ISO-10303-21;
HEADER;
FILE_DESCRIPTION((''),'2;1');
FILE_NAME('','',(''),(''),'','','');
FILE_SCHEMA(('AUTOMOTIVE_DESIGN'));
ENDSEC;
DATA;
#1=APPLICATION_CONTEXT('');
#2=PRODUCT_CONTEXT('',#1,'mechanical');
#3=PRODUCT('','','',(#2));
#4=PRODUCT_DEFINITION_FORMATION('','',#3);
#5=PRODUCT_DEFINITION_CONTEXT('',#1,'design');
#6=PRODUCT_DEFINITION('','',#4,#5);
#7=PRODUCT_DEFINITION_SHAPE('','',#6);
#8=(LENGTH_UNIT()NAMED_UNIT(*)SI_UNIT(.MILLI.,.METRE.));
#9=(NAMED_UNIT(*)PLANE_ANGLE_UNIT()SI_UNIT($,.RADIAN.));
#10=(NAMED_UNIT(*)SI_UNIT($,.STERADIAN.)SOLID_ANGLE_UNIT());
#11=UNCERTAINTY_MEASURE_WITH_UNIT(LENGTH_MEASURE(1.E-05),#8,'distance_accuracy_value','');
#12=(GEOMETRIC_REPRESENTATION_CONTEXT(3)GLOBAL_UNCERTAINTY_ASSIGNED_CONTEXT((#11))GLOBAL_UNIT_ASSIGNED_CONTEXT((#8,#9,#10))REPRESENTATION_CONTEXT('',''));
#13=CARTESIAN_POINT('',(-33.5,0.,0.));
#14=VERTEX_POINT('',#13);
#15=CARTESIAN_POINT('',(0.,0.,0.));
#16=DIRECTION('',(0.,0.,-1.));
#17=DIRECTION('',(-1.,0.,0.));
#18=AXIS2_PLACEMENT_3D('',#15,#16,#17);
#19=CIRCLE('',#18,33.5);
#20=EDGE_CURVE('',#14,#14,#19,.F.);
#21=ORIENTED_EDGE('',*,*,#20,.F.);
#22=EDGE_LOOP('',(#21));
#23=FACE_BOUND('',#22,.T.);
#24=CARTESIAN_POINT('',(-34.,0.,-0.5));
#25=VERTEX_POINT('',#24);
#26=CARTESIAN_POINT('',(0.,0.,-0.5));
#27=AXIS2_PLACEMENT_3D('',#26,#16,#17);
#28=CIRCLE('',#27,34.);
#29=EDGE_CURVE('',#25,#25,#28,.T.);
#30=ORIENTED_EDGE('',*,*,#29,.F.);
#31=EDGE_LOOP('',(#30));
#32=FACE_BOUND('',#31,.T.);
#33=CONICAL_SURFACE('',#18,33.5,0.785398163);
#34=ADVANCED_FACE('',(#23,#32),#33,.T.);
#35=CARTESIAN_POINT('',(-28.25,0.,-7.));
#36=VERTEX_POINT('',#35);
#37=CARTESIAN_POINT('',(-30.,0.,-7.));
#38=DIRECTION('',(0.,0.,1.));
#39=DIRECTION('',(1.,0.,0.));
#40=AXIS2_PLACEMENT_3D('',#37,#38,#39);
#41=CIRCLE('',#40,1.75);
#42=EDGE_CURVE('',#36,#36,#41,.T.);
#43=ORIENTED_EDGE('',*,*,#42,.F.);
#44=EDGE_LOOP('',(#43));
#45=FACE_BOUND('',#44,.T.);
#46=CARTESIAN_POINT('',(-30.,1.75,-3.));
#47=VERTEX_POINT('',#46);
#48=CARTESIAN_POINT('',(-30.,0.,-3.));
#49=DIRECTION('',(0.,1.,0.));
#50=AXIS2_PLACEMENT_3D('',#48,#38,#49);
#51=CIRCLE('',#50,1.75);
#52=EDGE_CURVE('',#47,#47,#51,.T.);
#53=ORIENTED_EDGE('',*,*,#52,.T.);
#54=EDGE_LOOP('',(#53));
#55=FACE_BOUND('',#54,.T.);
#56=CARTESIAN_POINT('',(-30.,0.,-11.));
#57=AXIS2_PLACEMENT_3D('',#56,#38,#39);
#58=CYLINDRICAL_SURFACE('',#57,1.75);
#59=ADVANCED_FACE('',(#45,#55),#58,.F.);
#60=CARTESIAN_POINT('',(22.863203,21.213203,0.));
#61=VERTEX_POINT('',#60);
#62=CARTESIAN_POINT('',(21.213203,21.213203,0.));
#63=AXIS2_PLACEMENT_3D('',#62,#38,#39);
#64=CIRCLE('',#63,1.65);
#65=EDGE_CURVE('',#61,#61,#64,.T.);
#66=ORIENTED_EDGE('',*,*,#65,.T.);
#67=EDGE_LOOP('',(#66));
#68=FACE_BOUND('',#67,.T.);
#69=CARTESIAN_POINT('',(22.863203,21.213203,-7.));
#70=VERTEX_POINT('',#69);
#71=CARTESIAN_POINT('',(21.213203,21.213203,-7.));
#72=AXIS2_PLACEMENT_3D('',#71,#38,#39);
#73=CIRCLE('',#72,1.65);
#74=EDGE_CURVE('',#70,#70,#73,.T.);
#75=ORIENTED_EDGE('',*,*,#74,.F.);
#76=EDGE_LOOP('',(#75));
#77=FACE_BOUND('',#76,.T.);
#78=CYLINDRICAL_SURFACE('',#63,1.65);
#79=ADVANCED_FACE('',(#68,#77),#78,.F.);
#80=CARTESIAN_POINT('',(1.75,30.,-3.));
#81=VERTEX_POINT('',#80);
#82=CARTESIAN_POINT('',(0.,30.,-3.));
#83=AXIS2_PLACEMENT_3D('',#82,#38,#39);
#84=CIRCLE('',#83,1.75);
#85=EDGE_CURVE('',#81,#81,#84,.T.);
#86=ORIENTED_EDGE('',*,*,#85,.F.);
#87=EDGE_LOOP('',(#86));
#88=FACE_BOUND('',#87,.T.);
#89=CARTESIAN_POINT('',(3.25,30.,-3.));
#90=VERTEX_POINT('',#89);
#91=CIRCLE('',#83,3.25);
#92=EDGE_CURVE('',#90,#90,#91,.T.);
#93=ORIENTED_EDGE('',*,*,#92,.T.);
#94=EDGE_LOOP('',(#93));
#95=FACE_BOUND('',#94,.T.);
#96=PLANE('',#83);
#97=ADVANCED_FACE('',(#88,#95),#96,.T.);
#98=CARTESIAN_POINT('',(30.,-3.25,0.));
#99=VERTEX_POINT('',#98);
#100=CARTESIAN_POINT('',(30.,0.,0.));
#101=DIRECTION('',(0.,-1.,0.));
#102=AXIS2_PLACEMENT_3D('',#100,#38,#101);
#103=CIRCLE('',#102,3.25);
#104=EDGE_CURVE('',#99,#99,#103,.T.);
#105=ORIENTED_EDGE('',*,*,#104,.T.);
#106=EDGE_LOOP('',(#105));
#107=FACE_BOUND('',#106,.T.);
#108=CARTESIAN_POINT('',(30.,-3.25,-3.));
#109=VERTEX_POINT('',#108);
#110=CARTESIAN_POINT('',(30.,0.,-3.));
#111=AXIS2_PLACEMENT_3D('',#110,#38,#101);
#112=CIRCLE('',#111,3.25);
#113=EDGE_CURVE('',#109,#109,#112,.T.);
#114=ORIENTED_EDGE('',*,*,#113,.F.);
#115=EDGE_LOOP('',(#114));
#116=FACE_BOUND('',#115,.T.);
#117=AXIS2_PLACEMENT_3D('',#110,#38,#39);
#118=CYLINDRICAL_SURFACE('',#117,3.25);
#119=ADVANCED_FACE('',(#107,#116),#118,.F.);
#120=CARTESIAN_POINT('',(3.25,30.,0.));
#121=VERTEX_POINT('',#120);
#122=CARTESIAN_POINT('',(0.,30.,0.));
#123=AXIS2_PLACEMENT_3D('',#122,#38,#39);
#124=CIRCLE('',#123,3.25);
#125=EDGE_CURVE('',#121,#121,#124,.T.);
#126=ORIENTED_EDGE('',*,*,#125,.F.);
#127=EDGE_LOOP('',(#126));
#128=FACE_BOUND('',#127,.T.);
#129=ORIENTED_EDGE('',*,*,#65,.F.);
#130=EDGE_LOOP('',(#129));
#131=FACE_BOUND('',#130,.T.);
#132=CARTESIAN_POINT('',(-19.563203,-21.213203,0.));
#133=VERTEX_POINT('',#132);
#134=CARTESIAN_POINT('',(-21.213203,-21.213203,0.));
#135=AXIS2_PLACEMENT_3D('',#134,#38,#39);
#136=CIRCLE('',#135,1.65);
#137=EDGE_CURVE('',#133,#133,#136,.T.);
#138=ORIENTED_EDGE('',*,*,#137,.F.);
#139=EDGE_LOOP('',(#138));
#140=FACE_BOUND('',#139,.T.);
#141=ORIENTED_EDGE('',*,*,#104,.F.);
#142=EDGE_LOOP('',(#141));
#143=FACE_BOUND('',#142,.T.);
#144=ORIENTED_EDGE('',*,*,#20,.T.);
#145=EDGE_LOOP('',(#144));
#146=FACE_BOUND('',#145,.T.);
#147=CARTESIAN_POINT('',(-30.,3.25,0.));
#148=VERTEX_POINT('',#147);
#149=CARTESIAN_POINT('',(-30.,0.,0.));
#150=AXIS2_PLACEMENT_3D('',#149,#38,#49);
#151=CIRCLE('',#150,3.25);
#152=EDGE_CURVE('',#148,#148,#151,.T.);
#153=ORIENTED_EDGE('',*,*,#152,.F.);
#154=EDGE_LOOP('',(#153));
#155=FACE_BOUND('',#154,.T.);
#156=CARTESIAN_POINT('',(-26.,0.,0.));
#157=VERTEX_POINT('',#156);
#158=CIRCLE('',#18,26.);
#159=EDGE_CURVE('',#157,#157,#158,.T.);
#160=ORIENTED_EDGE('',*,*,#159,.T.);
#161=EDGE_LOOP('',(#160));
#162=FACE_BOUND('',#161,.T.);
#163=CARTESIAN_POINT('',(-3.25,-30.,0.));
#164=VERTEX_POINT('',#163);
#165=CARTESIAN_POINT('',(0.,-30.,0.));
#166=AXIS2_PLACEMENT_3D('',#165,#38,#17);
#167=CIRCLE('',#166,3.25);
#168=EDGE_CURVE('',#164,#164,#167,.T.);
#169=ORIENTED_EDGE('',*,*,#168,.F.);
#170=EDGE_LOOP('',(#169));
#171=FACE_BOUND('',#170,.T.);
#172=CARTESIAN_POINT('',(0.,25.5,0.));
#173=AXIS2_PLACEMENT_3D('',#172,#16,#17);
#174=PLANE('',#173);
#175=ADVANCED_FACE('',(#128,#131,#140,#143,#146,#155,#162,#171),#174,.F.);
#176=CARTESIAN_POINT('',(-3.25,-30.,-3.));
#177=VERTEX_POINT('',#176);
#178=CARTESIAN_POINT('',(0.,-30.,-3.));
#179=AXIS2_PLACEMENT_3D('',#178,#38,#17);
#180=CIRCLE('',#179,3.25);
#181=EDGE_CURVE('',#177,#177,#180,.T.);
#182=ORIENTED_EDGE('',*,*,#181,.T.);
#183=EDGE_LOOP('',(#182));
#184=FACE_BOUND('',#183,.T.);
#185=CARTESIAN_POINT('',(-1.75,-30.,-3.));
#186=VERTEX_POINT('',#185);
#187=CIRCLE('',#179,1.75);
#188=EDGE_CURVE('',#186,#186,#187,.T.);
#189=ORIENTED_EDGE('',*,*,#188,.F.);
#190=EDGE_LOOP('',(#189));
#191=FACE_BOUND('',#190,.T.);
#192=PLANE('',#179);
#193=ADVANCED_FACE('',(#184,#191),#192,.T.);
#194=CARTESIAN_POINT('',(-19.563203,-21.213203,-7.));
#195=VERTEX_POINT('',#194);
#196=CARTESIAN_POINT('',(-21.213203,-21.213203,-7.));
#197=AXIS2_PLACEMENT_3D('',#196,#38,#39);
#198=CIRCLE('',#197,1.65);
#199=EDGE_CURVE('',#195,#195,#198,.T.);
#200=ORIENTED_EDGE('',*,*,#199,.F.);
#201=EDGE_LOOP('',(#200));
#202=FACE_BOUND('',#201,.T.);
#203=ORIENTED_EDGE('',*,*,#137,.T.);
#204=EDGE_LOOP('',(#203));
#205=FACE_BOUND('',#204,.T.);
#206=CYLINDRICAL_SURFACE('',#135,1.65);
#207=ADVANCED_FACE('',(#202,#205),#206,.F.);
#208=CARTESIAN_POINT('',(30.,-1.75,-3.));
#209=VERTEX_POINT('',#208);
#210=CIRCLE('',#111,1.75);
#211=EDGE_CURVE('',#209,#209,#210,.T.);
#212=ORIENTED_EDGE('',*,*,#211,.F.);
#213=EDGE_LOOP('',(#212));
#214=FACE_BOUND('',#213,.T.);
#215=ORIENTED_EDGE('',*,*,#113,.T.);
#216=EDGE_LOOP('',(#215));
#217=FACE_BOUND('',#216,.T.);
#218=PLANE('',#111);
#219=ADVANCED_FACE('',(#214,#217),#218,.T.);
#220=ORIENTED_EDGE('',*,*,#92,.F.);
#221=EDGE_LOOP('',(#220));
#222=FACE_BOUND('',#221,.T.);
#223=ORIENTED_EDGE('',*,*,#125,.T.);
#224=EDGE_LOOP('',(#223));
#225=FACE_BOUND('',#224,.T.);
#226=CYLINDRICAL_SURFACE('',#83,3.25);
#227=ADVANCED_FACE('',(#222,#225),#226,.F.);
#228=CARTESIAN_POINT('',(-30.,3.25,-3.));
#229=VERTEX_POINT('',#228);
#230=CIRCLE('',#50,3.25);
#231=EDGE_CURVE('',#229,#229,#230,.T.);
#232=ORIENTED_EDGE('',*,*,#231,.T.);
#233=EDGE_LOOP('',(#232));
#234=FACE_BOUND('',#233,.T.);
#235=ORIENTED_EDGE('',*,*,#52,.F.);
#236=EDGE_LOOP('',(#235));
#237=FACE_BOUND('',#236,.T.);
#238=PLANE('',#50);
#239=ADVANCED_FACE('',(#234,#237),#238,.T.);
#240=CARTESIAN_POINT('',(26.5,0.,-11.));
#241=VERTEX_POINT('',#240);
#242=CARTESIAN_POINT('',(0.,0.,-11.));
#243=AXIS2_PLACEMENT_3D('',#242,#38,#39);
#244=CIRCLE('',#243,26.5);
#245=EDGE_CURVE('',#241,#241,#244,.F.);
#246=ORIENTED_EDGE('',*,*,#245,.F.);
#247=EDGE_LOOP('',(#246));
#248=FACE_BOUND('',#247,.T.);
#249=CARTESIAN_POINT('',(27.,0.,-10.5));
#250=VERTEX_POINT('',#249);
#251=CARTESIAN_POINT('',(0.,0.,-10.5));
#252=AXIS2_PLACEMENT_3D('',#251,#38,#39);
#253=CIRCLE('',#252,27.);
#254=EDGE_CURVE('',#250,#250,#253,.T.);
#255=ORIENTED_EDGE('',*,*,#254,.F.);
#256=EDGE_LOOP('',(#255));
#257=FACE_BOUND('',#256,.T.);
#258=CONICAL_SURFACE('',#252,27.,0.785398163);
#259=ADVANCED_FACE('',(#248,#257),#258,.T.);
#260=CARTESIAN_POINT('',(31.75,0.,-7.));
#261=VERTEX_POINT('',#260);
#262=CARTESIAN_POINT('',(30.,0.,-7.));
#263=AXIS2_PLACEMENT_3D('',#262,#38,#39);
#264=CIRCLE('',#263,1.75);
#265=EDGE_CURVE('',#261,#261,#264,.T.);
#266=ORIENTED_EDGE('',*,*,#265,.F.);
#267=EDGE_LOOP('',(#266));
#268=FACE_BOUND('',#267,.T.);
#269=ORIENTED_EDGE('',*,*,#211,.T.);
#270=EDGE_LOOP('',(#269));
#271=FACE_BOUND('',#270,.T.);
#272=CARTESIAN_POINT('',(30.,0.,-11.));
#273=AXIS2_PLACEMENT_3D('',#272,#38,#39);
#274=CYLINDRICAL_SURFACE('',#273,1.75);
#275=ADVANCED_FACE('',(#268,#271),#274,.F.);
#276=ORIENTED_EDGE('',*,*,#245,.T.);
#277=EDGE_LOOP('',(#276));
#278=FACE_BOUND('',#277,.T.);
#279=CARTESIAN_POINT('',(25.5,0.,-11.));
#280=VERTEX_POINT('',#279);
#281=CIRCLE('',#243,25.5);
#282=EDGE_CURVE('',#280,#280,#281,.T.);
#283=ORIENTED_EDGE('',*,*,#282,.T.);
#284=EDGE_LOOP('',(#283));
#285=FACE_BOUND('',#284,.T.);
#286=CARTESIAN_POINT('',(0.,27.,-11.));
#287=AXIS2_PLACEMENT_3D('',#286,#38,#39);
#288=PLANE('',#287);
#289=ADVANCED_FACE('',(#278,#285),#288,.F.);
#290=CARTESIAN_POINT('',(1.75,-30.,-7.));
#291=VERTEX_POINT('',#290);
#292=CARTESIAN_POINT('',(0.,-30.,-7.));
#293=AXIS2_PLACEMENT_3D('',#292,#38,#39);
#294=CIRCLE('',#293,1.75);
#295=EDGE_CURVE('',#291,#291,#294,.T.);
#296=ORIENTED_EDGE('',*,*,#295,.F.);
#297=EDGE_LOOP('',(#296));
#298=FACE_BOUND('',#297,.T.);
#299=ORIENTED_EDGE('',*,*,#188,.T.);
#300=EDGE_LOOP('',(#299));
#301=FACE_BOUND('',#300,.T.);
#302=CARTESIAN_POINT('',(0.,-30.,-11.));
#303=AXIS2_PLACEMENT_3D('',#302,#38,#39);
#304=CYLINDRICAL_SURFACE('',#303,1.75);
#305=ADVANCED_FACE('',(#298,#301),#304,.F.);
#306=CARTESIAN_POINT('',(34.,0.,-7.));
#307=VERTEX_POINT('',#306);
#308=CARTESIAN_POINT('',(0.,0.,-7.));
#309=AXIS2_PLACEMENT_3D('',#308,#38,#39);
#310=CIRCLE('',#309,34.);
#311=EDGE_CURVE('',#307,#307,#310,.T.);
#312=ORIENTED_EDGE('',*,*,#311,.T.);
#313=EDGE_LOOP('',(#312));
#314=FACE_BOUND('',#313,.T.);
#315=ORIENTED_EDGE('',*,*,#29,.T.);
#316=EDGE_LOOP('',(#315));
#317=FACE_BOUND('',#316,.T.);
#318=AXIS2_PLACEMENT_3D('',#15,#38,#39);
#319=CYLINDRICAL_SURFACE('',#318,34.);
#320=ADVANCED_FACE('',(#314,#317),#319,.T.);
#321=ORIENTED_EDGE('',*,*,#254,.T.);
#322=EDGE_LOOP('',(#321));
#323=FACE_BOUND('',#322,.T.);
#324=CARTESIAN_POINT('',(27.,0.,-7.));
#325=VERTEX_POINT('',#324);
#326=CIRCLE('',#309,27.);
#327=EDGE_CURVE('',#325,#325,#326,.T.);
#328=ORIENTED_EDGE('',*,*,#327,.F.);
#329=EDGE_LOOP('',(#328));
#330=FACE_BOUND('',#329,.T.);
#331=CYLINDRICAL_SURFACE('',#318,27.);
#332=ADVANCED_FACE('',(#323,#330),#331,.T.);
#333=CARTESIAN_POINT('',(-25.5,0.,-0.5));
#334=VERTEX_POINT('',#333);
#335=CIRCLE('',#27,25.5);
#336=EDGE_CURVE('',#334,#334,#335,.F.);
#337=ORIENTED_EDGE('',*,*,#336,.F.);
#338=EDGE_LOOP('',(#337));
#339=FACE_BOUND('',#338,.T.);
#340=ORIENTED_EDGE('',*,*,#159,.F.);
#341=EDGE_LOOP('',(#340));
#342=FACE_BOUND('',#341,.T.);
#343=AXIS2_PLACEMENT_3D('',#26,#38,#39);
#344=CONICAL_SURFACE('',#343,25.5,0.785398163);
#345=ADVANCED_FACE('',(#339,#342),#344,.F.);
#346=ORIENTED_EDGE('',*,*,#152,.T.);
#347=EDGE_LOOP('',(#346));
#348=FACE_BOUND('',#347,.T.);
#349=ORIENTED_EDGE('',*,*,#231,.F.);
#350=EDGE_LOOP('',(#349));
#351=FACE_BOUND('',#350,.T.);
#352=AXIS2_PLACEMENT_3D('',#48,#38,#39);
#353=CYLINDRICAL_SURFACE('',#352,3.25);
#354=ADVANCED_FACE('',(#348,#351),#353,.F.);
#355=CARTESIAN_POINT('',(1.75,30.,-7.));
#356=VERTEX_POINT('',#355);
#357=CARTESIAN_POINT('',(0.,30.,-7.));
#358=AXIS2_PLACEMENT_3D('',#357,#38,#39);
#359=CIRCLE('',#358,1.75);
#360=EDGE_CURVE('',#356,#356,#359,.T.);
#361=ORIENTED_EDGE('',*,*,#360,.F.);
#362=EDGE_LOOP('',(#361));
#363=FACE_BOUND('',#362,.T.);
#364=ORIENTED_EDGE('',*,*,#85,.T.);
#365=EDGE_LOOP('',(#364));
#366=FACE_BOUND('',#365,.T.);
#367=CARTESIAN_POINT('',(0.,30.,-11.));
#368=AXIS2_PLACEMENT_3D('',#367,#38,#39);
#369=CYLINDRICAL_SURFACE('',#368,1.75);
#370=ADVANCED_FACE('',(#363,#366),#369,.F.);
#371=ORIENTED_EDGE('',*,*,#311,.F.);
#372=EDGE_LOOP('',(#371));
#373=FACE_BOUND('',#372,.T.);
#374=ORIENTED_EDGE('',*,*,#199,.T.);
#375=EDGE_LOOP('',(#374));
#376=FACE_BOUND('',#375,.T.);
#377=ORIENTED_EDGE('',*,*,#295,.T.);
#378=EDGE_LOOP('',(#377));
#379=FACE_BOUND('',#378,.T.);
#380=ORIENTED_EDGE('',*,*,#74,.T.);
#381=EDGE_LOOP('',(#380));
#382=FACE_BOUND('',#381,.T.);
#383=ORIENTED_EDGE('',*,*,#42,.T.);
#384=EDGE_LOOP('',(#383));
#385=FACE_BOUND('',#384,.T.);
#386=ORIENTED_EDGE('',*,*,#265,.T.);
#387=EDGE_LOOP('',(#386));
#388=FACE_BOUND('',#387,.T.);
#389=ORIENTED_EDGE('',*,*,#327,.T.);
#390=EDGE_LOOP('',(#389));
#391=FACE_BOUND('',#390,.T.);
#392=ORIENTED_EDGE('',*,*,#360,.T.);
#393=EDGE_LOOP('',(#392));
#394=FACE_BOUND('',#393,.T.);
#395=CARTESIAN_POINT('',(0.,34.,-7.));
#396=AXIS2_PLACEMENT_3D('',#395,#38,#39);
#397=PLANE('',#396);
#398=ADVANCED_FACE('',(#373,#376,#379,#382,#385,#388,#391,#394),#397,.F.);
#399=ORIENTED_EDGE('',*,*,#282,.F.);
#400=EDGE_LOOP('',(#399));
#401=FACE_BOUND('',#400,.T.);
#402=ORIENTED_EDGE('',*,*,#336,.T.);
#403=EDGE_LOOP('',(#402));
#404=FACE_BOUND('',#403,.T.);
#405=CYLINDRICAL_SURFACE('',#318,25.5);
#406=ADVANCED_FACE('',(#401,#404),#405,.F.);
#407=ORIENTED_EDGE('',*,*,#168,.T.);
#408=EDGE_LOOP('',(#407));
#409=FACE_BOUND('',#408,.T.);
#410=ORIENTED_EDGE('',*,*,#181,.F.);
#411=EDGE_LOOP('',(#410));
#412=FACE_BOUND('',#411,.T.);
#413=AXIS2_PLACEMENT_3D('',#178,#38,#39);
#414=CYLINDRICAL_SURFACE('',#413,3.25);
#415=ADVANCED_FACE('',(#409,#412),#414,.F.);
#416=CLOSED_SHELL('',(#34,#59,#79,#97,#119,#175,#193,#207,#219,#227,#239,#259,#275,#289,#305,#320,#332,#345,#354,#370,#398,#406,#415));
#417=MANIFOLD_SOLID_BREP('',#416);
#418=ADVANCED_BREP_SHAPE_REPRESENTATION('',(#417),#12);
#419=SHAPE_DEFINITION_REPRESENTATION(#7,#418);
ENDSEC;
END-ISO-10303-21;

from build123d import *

# Parameters (mm, degrees)
HOLE_WIZARD_M4_1_D       = 3.3
SKETCH_4_R               = 3.25
CUT_EXTRUDE_1_DEPTH      = 3
SKETCH_5_R               = 1.75
CUT_EXTRUDE_2_DEPTH      = 49.744230428
PATTERN_CIRCULAR_1_COUNT = 4
CHAMFER_1_SIZE           = 0.5


with BuildPart() as part:
    # 草圖1 → 旋轉1 (revolve)
    with BuildSketch(Plane(origin=(0, 0, 0), x_dir=(0, 0, -1), z_dir=(1, 0, 0)), mode=Mode.PRIVATE) as revolve_1_sk:
        Polygon((0, 25.5), (0, 34), (7, 34), (7, 27), (11, 27), (11, 25.5), align=None)
    revolve(revolve_1_sk.sketch.rotate(Axis((0, 0, 0), (0, 0, -1)), 90), axis=Axis((0, 0, 0), (0, 0, -1)))

    # M4 螺紋孔1 (through all)
    with Locations(Plane.XY):
        with Locations((21.213203436, 21.213203436), (-21.213203436, -21.213203436)):
            Hole(HOLE_WIZARD_M4_1_D / 2)

    # 草圖4 → 伸長1 (cut)
    with BuildSketch(Plane.XY):
        with Locations((0, 30)):
            Circle(SKETCH_4_R)
    cut_extrude_1 = extrude(amount=-CUT_EXTRUDE_1_DEPTH, mode=Mode.SUBTRACT)

    # 草圖5 → 伸長2 (cut, through all)
    with BuildSketch(Plane.XY.offset(-3)):
        with Locations((0, 30)):
            Circle(SKETCH_5_R)
    cut_extrude_2 = extrude(amount=-CUT_EXTRUDE_2_DEPTH, mode=Mode.SUBTRACT)

    # 環狀複製排列1: 伸長1, 伸長2 ×4 about axis
    pattern_circular_1_axis = Axis((0, 0, 0), (0, 0, 1))
    add([cut_extrude_1.rotate(pattern_circular_1_axis, i * 360 / PATTERN_CIRCULAR_1_COUNT) for i in range(1, PATTERN_CIRCULAR_1_COUNT)], mode=Mode.SUBTRACT)
    add([cut_extrude_2.rotate(pattern_circular_1_axis, i * 360 / PATTERN_CIRCULAR_1_COUNT) for i in range(1, PATTERN_CIRCULAR_1_COUNT)], mode=Mode.SUBTRACT)

    # 導角1
    chamfer_1_edges = [part.edges().sort_by_distance(p)[0] for p in [
        (-34, 0, 0),
        (-25.5, 0, 0),
        (-27, 0, -11),
    ]]
    chamfer(chamfer_1_edges, length=CHAMFER_1_SIZE)


solid = part.part
